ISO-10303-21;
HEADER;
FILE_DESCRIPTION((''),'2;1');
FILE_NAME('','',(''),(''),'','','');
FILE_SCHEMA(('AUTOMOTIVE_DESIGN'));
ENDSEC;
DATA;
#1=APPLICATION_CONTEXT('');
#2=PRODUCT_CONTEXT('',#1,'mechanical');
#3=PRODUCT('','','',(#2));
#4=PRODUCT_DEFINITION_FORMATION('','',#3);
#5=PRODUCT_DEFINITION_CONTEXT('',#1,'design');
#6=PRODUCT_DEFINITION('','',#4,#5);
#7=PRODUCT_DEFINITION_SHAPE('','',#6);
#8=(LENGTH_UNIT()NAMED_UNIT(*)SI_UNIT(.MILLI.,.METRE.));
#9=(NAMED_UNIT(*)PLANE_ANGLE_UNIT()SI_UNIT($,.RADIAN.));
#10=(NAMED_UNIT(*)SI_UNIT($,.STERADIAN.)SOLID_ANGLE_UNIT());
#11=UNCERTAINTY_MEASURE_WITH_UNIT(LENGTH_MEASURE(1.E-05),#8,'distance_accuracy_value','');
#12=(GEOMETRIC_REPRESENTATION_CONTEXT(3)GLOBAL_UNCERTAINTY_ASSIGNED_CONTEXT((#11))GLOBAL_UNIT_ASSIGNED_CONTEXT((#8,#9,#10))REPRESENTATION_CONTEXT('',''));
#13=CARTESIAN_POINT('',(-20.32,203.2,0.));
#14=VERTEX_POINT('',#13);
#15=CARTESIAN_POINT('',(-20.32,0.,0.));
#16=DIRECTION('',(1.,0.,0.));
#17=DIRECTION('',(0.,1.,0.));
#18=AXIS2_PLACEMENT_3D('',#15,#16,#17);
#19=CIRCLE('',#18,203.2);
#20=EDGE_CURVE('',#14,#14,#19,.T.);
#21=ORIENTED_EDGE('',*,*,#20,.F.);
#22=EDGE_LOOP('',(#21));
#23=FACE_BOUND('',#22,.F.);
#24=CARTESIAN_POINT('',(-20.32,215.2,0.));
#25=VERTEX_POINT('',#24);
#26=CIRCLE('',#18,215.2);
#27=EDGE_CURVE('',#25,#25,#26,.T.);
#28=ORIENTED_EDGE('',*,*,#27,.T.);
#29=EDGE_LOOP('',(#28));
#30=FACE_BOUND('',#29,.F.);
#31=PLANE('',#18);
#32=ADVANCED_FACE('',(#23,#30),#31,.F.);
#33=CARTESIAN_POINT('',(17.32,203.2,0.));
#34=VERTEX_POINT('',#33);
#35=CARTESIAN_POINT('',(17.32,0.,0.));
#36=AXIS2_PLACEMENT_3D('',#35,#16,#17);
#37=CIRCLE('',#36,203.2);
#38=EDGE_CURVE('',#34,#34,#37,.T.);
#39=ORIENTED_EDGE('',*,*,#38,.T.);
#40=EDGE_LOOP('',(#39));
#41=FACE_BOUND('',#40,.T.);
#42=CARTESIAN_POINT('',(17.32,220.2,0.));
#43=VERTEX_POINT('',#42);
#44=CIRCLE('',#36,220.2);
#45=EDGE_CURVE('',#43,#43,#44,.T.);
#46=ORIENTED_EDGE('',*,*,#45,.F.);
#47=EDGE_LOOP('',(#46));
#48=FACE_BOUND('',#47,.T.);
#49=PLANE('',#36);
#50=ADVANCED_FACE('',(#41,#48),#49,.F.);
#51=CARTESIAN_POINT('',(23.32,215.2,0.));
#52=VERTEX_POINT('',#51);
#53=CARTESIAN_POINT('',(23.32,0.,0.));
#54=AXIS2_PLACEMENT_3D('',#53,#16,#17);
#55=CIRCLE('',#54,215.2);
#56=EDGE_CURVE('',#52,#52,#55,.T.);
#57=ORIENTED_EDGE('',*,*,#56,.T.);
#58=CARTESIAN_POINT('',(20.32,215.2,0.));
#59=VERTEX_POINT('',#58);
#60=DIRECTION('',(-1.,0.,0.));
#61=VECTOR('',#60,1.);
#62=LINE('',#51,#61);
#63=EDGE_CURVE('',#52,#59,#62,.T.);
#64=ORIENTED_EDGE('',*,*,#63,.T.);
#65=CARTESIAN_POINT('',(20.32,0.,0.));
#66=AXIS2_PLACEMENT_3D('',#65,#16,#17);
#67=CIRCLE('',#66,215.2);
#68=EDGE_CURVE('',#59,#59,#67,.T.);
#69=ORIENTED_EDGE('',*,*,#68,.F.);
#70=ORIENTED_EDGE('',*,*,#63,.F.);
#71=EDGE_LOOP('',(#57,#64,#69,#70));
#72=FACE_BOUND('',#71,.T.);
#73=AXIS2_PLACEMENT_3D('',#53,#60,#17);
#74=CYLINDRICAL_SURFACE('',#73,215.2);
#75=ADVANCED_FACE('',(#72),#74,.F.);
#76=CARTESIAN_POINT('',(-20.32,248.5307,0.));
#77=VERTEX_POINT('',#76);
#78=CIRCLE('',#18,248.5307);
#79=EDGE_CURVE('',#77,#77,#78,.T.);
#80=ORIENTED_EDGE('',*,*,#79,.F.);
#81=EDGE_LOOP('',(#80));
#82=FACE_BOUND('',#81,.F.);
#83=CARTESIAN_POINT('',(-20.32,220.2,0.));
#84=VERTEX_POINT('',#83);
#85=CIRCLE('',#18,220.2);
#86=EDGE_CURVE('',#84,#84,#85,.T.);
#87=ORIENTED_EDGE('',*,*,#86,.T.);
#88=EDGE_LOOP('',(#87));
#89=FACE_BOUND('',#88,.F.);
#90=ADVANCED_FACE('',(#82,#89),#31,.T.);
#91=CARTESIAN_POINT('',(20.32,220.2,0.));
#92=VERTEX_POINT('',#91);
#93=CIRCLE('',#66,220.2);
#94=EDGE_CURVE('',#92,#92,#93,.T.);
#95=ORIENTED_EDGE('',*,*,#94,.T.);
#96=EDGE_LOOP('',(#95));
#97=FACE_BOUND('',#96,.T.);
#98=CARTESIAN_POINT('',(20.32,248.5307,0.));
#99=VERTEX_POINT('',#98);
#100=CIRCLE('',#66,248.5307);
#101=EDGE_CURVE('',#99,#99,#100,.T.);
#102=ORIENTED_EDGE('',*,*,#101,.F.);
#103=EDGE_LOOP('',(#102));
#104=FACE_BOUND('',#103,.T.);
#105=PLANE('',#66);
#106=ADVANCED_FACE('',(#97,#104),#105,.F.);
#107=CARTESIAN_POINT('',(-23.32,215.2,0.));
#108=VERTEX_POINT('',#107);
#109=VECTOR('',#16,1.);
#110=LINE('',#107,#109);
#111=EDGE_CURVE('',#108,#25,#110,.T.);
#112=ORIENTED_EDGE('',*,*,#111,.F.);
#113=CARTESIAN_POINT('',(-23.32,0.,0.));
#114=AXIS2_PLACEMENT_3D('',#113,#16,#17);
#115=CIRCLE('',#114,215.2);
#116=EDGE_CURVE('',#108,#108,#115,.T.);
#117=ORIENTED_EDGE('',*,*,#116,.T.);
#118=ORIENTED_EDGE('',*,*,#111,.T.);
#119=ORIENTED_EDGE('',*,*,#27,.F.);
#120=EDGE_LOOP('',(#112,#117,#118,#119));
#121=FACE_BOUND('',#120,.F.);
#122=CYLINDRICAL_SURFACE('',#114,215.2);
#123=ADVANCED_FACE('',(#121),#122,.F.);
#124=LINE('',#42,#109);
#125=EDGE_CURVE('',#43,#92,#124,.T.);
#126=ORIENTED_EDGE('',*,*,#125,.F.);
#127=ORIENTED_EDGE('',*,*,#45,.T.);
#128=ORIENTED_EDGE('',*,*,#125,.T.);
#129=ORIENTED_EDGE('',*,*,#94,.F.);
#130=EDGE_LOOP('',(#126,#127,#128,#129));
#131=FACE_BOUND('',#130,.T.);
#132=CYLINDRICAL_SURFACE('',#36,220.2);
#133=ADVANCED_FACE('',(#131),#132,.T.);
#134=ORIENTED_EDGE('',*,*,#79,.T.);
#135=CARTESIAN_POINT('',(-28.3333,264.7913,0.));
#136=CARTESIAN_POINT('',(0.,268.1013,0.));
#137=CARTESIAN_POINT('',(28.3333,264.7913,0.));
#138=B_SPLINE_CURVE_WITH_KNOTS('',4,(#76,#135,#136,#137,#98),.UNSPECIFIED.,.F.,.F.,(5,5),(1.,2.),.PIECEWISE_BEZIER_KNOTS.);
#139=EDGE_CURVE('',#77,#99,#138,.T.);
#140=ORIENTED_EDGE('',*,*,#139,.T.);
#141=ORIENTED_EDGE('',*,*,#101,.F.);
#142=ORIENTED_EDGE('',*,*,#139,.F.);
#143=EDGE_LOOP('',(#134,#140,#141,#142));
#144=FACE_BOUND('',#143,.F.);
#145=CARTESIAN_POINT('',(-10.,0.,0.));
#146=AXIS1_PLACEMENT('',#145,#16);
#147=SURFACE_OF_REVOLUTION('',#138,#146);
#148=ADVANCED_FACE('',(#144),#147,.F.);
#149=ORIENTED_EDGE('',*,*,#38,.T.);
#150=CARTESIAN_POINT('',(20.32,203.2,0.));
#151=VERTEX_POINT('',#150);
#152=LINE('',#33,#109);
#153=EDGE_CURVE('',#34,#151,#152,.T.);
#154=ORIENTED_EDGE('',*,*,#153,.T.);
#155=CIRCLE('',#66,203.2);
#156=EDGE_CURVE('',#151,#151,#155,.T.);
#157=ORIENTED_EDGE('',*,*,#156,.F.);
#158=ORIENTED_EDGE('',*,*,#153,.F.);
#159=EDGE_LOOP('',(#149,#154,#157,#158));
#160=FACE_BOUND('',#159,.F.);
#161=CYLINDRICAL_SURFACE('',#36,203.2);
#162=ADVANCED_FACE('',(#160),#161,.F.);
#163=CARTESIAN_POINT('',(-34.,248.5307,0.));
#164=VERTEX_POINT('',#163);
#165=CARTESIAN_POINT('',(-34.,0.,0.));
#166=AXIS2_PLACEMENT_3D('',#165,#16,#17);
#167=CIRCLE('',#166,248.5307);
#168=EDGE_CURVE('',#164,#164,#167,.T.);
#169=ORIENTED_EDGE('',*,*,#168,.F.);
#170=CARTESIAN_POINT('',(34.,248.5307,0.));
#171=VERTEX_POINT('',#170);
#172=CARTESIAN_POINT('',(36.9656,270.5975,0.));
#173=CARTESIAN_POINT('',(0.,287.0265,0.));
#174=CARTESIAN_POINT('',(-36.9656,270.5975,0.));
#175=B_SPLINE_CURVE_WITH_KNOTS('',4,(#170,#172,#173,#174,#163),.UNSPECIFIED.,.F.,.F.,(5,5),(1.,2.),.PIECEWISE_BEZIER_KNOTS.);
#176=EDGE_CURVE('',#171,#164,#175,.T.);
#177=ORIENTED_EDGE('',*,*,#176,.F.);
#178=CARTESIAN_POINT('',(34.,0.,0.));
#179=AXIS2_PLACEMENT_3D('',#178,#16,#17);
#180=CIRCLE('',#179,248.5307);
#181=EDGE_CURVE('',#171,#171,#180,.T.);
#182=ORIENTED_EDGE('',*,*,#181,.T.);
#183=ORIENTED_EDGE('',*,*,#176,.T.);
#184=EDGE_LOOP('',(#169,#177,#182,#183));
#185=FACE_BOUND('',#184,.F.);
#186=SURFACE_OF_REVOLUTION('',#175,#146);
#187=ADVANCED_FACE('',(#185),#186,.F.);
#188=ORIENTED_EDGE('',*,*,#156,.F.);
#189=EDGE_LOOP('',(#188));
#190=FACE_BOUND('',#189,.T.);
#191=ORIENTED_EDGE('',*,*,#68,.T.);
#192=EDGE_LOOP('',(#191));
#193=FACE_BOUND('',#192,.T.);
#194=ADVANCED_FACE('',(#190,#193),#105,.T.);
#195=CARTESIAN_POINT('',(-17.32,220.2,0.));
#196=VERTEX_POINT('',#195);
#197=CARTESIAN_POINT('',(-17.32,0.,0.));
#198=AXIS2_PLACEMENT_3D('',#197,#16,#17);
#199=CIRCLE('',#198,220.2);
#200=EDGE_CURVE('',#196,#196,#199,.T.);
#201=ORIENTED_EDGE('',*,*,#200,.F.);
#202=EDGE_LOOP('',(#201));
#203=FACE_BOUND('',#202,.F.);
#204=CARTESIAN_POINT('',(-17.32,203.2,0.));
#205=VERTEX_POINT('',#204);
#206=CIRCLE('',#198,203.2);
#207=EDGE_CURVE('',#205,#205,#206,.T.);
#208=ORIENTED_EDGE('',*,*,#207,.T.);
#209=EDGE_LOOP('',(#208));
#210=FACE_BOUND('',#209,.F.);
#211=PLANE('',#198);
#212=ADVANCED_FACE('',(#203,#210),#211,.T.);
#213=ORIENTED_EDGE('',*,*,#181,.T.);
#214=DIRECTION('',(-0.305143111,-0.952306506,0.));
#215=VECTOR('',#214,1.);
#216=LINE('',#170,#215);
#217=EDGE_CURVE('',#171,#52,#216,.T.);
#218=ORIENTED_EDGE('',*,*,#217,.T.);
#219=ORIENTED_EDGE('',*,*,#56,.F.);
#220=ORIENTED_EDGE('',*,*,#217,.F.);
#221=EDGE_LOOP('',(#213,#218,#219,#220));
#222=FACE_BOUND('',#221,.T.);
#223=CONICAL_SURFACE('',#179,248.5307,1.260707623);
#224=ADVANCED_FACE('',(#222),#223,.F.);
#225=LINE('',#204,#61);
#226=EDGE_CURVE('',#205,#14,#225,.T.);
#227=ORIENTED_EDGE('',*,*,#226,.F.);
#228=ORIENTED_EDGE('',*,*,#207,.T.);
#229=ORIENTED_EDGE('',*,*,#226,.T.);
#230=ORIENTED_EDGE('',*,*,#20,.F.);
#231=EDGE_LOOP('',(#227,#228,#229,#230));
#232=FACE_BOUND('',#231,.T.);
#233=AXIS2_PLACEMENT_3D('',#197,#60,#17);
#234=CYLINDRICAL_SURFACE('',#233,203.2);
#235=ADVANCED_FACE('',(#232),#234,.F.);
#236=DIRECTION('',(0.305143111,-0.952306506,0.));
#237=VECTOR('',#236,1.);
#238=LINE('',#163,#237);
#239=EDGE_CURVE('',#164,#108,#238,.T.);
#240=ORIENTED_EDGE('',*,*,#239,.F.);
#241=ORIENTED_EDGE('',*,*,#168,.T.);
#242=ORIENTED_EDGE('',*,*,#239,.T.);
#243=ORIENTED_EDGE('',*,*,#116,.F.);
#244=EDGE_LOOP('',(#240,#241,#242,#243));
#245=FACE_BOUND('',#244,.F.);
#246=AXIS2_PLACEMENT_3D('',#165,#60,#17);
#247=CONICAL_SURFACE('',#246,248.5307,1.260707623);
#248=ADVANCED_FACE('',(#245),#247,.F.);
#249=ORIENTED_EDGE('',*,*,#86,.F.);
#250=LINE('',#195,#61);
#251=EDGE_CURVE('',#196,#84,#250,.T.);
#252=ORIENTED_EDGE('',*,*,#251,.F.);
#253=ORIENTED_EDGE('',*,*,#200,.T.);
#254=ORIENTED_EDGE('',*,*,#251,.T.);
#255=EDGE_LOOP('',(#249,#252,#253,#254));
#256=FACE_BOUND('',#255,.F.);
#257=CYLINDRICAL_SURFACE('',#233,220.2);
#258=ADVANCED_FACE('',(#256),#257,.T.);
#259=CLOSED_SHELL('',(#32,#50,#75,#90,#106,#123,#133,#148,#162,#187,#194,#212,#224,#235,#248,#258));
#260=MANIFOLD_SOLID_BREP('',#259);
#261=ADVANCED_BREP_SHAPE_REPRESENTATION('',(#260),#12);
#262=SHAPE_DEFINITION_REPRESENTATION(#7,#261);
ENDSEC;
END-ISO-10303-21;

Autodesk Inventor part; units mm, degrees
ref_plane "YZ Plane" through (0, 0, 0) normal (1, 0, 0) x (0, 1, 0)
ref_plane "XZ Plane" through (0, 0, 0) normal (0, 1, 0) x (-1, 0, 0)
sketch "Sketch1" plane through (0, 0, 0) normal (0, 0, 1) x (1, 0, 0)
  line L0 (34, 248.5307) -> (23.32, 215.2)
  line L1 (23.32, 215.2) -> (20.32, 215.2)
  line L2 (20.32, 215.2) -> (20.32, 203.2)
  line L3 (17.32, 203.2) -> (20.32, 203.2)
  line L4 (17.32, 203.2) -> (17.32, 220.2)
  line L5 (17.32, 220.2) -> (20.32, 220.2)
  line L6 (20.32, 220.2) -> (20.32, 248.5307)
  line L7 (-82.1062, 0) -> (56.8109, 0) projected
  line L8 (0, 344.4318) -> (0, -57.4053) construction
  line L9 (-20.32, 248.5307) -> (-28.3333, 264.7913) construction
  line L10 (-28.3333, 264.7913) -> (0, 268.1013) construction
  line L11 (0, 268.1013) -> (28.3333, 264.7913) construction
  line L12 (28.3333, 264.7913) -> (20.32, 248.5307) construction
  spline S0 degree 4 poles (-20.32, 248.5307) (-28.3333, 264.7913) (0, 268.1013) (28.3333, 264.7913) (20.32, 248.5307) knots 1 1 1 1 1 2 2 2 2 2
  line L13 (-34, 248.5307) -> (-23.32, 215.2)
  line L14 (-23.32, 215.2) -> (-20.32, 215.2)
  line L15 (-20.32, 215.2) -> (-20.32, 203.2)
  line L16 (-17.32, 203.2) -> (-20.32, 203.2)
  line L17 (-17.32, 203.2) -> (-17.32, 220.2)
  line L18 (-17.32, 220.2) -> (-20.32, 220.2)
  line L19 (-20.32, 220.2) -> (-20.32, 248.5307)
  line L20 (20.32, 248.5307) -> (34, 248.5307) construction
  line L21 (-34, 248.5307) -> (34, 248.5307) construction
  line L22 (34, 248.5307) -> (36.9656, 270.5975) construction
  line L23 (36.9656, 270.5975) -> (0, 287.0265) construction
  line L24 (0, 287.0265) -> (-36.9656, 270.5975) construction
  line L25 (-36.9656, 270.5975) -> (-34, 248.5307) construction
  spline S1 degree 4 poles (34, 248.5307) (36.9656, 270.5975) (0, 287.0265) (-36.9656, 270.5975) (-34, 248.5307) knots 1 1 1 1 1 2 2 2 2 2
  point P0 (0, 0)
  point P1 (0, 0)
  point P2 (0, 0)
  point P3 (0, 264)
  point P4 (0, 274)
  dimension "d17" = 35
  dimension "d44" = 12
  dimension "d59" = 3
  dimension "d64" = 10
  dimension "d66" = 274
  dimension "d67" = 68
  dimension "d68" = 40.64
  dimension "d69" = 203.2
  dimension "d70" = 5
revolve "Revolution1" add sketch "Sketch1" angle 360 about axis through (-10, 0, 0) along (1, 0, 0)
sketch "Sketch3" plane through (0, 0, 0) normal (0, 1, 0) x (-1, 0, 0)
  line L0 (0, 0) -> (0, 77.3111)
  line L1 (0, 0) -> (62.2609, 62.2609)
  dimension "d29" = 45
ref_plane "Work Plane1" through (0, 0, 0) normal (-0.7071, 0, 0.7071) x (0, -1, 0)
sketch "Sketch4" plane through (0, 0, 0) normal (-0.7071, 0, 0.7071) x (0, -1, 0)
  line L0 (0, -290.7432) -> (0, 290.7432) projected
  line L1 (399.5747, 0) -> (-404.7199, 0) construction
  ellipse E0 centre (0, 19.0919) end of major axis (-266.695, 19.0919) minor radius 188.5818 construction
  ellipse E1 centre (0, -19.0919) end of major axis (-266.695, -19.0919) minor radius 188.5818 construction
  line L2 (-265.3248, 38.1838) -> (-247.0972, 38.1838) construction
  line L3 (-247.225, -38.1838) -> (-265.3248, -38.1838) construction
  ellipse E2 centre (0, 0) end of major axis (0, 357.3647) minor radius 252.695 (-251.8209, -29.6985) -> (-251.5527, -33.9411) ccw construction
  line L4 (-264.8083, -33.9411) -> (-251.5527, -33.9411) construction
  line L5 (-251.5527, 33.9411) -> (-264.8083, 33.9411) construction
  ellipse E3 centre (0, 0) end of major axis (0, 357.3647) minor radius 252.695 (-251.5527, 33.9411) -> (-251.8209, 29.6985) ccw construction
  line L6 (-238.5043, 29.6985) -> (-251.8209, 29.6985) construction
  line L7 (-243.5152, 33.9411) -> (-238.4904, 33.9411) construction
  line L8 (238.4904, 33.9411) -> (243.5152, 33.9411) projected
  line L9 (251.8209, 29.6985) -> (238.5043, 29.6985) projected
  ellipse E4 centre (0, 0) end of major axis (0, 357.3647) minor radius 252.695 (251.8209, 29.6985) -> (251.5527, 33.9411) ccw projected
  line L10 (264.8083, 33.9411) -> (251.5527, 33.9411) projected
  line L11 (251.5527, -33.9411) -> (264.8083, -33.9411) projected
  ellipse E5 centre (0, 0) end of major axis (0, 357.3647) minor radius 252.695 (251.5527, -33.9411) -> (251.8209, -29.6985) ccw projected
  line L12 (265.3248, -38.1838) -> (247.225, -38.1838) projected
  line L13 (247.0972, 38.1838) -> (265.3248, 38.1838) projected
  line L14 (-251.8209, -29.6985) -> (-246.5751, -29.6985) construction
  line L15 (246.5751, -29.6985) -> (251.8209, -29.6985) projected
  line L16 (-277.5443, 14.9358) -> (-262.8286, 59.481)
  line L17 (-262.8286, 59.481) -> (-270.0708, 46.2329)
  line L18 (-270.0708, 46.2329) -> (-267.1666, 35.1533)
  line L19 (-267.1666, 35.1533) -> (-265.2666, 33.5992)
  point P0 (-266.695, -19.0919)
  point P1 (-266.695, 19.0919)
  point P2 (-236.6747, 31.1127)
  point P3 (236.6747, 31.1127)
  point P4 (-275.2459, 0)
  point P5 (-245.3097, 36.0624)
  point P6 (-244.9226, -34.6482)
  point P7 (-245.4374, -36.0624)
  point P8 (245.3097, 36.0624)
  point P9 (245.4374, -36.0624)
  point P10 (244.9226, -34.6482)
  point P11 (-279.6457, 0)
  point P12 (-265.2666, 33.5992)
  point P13 (-284.2328, 0)
properties part number "pneu" material "Plastique ABS"
